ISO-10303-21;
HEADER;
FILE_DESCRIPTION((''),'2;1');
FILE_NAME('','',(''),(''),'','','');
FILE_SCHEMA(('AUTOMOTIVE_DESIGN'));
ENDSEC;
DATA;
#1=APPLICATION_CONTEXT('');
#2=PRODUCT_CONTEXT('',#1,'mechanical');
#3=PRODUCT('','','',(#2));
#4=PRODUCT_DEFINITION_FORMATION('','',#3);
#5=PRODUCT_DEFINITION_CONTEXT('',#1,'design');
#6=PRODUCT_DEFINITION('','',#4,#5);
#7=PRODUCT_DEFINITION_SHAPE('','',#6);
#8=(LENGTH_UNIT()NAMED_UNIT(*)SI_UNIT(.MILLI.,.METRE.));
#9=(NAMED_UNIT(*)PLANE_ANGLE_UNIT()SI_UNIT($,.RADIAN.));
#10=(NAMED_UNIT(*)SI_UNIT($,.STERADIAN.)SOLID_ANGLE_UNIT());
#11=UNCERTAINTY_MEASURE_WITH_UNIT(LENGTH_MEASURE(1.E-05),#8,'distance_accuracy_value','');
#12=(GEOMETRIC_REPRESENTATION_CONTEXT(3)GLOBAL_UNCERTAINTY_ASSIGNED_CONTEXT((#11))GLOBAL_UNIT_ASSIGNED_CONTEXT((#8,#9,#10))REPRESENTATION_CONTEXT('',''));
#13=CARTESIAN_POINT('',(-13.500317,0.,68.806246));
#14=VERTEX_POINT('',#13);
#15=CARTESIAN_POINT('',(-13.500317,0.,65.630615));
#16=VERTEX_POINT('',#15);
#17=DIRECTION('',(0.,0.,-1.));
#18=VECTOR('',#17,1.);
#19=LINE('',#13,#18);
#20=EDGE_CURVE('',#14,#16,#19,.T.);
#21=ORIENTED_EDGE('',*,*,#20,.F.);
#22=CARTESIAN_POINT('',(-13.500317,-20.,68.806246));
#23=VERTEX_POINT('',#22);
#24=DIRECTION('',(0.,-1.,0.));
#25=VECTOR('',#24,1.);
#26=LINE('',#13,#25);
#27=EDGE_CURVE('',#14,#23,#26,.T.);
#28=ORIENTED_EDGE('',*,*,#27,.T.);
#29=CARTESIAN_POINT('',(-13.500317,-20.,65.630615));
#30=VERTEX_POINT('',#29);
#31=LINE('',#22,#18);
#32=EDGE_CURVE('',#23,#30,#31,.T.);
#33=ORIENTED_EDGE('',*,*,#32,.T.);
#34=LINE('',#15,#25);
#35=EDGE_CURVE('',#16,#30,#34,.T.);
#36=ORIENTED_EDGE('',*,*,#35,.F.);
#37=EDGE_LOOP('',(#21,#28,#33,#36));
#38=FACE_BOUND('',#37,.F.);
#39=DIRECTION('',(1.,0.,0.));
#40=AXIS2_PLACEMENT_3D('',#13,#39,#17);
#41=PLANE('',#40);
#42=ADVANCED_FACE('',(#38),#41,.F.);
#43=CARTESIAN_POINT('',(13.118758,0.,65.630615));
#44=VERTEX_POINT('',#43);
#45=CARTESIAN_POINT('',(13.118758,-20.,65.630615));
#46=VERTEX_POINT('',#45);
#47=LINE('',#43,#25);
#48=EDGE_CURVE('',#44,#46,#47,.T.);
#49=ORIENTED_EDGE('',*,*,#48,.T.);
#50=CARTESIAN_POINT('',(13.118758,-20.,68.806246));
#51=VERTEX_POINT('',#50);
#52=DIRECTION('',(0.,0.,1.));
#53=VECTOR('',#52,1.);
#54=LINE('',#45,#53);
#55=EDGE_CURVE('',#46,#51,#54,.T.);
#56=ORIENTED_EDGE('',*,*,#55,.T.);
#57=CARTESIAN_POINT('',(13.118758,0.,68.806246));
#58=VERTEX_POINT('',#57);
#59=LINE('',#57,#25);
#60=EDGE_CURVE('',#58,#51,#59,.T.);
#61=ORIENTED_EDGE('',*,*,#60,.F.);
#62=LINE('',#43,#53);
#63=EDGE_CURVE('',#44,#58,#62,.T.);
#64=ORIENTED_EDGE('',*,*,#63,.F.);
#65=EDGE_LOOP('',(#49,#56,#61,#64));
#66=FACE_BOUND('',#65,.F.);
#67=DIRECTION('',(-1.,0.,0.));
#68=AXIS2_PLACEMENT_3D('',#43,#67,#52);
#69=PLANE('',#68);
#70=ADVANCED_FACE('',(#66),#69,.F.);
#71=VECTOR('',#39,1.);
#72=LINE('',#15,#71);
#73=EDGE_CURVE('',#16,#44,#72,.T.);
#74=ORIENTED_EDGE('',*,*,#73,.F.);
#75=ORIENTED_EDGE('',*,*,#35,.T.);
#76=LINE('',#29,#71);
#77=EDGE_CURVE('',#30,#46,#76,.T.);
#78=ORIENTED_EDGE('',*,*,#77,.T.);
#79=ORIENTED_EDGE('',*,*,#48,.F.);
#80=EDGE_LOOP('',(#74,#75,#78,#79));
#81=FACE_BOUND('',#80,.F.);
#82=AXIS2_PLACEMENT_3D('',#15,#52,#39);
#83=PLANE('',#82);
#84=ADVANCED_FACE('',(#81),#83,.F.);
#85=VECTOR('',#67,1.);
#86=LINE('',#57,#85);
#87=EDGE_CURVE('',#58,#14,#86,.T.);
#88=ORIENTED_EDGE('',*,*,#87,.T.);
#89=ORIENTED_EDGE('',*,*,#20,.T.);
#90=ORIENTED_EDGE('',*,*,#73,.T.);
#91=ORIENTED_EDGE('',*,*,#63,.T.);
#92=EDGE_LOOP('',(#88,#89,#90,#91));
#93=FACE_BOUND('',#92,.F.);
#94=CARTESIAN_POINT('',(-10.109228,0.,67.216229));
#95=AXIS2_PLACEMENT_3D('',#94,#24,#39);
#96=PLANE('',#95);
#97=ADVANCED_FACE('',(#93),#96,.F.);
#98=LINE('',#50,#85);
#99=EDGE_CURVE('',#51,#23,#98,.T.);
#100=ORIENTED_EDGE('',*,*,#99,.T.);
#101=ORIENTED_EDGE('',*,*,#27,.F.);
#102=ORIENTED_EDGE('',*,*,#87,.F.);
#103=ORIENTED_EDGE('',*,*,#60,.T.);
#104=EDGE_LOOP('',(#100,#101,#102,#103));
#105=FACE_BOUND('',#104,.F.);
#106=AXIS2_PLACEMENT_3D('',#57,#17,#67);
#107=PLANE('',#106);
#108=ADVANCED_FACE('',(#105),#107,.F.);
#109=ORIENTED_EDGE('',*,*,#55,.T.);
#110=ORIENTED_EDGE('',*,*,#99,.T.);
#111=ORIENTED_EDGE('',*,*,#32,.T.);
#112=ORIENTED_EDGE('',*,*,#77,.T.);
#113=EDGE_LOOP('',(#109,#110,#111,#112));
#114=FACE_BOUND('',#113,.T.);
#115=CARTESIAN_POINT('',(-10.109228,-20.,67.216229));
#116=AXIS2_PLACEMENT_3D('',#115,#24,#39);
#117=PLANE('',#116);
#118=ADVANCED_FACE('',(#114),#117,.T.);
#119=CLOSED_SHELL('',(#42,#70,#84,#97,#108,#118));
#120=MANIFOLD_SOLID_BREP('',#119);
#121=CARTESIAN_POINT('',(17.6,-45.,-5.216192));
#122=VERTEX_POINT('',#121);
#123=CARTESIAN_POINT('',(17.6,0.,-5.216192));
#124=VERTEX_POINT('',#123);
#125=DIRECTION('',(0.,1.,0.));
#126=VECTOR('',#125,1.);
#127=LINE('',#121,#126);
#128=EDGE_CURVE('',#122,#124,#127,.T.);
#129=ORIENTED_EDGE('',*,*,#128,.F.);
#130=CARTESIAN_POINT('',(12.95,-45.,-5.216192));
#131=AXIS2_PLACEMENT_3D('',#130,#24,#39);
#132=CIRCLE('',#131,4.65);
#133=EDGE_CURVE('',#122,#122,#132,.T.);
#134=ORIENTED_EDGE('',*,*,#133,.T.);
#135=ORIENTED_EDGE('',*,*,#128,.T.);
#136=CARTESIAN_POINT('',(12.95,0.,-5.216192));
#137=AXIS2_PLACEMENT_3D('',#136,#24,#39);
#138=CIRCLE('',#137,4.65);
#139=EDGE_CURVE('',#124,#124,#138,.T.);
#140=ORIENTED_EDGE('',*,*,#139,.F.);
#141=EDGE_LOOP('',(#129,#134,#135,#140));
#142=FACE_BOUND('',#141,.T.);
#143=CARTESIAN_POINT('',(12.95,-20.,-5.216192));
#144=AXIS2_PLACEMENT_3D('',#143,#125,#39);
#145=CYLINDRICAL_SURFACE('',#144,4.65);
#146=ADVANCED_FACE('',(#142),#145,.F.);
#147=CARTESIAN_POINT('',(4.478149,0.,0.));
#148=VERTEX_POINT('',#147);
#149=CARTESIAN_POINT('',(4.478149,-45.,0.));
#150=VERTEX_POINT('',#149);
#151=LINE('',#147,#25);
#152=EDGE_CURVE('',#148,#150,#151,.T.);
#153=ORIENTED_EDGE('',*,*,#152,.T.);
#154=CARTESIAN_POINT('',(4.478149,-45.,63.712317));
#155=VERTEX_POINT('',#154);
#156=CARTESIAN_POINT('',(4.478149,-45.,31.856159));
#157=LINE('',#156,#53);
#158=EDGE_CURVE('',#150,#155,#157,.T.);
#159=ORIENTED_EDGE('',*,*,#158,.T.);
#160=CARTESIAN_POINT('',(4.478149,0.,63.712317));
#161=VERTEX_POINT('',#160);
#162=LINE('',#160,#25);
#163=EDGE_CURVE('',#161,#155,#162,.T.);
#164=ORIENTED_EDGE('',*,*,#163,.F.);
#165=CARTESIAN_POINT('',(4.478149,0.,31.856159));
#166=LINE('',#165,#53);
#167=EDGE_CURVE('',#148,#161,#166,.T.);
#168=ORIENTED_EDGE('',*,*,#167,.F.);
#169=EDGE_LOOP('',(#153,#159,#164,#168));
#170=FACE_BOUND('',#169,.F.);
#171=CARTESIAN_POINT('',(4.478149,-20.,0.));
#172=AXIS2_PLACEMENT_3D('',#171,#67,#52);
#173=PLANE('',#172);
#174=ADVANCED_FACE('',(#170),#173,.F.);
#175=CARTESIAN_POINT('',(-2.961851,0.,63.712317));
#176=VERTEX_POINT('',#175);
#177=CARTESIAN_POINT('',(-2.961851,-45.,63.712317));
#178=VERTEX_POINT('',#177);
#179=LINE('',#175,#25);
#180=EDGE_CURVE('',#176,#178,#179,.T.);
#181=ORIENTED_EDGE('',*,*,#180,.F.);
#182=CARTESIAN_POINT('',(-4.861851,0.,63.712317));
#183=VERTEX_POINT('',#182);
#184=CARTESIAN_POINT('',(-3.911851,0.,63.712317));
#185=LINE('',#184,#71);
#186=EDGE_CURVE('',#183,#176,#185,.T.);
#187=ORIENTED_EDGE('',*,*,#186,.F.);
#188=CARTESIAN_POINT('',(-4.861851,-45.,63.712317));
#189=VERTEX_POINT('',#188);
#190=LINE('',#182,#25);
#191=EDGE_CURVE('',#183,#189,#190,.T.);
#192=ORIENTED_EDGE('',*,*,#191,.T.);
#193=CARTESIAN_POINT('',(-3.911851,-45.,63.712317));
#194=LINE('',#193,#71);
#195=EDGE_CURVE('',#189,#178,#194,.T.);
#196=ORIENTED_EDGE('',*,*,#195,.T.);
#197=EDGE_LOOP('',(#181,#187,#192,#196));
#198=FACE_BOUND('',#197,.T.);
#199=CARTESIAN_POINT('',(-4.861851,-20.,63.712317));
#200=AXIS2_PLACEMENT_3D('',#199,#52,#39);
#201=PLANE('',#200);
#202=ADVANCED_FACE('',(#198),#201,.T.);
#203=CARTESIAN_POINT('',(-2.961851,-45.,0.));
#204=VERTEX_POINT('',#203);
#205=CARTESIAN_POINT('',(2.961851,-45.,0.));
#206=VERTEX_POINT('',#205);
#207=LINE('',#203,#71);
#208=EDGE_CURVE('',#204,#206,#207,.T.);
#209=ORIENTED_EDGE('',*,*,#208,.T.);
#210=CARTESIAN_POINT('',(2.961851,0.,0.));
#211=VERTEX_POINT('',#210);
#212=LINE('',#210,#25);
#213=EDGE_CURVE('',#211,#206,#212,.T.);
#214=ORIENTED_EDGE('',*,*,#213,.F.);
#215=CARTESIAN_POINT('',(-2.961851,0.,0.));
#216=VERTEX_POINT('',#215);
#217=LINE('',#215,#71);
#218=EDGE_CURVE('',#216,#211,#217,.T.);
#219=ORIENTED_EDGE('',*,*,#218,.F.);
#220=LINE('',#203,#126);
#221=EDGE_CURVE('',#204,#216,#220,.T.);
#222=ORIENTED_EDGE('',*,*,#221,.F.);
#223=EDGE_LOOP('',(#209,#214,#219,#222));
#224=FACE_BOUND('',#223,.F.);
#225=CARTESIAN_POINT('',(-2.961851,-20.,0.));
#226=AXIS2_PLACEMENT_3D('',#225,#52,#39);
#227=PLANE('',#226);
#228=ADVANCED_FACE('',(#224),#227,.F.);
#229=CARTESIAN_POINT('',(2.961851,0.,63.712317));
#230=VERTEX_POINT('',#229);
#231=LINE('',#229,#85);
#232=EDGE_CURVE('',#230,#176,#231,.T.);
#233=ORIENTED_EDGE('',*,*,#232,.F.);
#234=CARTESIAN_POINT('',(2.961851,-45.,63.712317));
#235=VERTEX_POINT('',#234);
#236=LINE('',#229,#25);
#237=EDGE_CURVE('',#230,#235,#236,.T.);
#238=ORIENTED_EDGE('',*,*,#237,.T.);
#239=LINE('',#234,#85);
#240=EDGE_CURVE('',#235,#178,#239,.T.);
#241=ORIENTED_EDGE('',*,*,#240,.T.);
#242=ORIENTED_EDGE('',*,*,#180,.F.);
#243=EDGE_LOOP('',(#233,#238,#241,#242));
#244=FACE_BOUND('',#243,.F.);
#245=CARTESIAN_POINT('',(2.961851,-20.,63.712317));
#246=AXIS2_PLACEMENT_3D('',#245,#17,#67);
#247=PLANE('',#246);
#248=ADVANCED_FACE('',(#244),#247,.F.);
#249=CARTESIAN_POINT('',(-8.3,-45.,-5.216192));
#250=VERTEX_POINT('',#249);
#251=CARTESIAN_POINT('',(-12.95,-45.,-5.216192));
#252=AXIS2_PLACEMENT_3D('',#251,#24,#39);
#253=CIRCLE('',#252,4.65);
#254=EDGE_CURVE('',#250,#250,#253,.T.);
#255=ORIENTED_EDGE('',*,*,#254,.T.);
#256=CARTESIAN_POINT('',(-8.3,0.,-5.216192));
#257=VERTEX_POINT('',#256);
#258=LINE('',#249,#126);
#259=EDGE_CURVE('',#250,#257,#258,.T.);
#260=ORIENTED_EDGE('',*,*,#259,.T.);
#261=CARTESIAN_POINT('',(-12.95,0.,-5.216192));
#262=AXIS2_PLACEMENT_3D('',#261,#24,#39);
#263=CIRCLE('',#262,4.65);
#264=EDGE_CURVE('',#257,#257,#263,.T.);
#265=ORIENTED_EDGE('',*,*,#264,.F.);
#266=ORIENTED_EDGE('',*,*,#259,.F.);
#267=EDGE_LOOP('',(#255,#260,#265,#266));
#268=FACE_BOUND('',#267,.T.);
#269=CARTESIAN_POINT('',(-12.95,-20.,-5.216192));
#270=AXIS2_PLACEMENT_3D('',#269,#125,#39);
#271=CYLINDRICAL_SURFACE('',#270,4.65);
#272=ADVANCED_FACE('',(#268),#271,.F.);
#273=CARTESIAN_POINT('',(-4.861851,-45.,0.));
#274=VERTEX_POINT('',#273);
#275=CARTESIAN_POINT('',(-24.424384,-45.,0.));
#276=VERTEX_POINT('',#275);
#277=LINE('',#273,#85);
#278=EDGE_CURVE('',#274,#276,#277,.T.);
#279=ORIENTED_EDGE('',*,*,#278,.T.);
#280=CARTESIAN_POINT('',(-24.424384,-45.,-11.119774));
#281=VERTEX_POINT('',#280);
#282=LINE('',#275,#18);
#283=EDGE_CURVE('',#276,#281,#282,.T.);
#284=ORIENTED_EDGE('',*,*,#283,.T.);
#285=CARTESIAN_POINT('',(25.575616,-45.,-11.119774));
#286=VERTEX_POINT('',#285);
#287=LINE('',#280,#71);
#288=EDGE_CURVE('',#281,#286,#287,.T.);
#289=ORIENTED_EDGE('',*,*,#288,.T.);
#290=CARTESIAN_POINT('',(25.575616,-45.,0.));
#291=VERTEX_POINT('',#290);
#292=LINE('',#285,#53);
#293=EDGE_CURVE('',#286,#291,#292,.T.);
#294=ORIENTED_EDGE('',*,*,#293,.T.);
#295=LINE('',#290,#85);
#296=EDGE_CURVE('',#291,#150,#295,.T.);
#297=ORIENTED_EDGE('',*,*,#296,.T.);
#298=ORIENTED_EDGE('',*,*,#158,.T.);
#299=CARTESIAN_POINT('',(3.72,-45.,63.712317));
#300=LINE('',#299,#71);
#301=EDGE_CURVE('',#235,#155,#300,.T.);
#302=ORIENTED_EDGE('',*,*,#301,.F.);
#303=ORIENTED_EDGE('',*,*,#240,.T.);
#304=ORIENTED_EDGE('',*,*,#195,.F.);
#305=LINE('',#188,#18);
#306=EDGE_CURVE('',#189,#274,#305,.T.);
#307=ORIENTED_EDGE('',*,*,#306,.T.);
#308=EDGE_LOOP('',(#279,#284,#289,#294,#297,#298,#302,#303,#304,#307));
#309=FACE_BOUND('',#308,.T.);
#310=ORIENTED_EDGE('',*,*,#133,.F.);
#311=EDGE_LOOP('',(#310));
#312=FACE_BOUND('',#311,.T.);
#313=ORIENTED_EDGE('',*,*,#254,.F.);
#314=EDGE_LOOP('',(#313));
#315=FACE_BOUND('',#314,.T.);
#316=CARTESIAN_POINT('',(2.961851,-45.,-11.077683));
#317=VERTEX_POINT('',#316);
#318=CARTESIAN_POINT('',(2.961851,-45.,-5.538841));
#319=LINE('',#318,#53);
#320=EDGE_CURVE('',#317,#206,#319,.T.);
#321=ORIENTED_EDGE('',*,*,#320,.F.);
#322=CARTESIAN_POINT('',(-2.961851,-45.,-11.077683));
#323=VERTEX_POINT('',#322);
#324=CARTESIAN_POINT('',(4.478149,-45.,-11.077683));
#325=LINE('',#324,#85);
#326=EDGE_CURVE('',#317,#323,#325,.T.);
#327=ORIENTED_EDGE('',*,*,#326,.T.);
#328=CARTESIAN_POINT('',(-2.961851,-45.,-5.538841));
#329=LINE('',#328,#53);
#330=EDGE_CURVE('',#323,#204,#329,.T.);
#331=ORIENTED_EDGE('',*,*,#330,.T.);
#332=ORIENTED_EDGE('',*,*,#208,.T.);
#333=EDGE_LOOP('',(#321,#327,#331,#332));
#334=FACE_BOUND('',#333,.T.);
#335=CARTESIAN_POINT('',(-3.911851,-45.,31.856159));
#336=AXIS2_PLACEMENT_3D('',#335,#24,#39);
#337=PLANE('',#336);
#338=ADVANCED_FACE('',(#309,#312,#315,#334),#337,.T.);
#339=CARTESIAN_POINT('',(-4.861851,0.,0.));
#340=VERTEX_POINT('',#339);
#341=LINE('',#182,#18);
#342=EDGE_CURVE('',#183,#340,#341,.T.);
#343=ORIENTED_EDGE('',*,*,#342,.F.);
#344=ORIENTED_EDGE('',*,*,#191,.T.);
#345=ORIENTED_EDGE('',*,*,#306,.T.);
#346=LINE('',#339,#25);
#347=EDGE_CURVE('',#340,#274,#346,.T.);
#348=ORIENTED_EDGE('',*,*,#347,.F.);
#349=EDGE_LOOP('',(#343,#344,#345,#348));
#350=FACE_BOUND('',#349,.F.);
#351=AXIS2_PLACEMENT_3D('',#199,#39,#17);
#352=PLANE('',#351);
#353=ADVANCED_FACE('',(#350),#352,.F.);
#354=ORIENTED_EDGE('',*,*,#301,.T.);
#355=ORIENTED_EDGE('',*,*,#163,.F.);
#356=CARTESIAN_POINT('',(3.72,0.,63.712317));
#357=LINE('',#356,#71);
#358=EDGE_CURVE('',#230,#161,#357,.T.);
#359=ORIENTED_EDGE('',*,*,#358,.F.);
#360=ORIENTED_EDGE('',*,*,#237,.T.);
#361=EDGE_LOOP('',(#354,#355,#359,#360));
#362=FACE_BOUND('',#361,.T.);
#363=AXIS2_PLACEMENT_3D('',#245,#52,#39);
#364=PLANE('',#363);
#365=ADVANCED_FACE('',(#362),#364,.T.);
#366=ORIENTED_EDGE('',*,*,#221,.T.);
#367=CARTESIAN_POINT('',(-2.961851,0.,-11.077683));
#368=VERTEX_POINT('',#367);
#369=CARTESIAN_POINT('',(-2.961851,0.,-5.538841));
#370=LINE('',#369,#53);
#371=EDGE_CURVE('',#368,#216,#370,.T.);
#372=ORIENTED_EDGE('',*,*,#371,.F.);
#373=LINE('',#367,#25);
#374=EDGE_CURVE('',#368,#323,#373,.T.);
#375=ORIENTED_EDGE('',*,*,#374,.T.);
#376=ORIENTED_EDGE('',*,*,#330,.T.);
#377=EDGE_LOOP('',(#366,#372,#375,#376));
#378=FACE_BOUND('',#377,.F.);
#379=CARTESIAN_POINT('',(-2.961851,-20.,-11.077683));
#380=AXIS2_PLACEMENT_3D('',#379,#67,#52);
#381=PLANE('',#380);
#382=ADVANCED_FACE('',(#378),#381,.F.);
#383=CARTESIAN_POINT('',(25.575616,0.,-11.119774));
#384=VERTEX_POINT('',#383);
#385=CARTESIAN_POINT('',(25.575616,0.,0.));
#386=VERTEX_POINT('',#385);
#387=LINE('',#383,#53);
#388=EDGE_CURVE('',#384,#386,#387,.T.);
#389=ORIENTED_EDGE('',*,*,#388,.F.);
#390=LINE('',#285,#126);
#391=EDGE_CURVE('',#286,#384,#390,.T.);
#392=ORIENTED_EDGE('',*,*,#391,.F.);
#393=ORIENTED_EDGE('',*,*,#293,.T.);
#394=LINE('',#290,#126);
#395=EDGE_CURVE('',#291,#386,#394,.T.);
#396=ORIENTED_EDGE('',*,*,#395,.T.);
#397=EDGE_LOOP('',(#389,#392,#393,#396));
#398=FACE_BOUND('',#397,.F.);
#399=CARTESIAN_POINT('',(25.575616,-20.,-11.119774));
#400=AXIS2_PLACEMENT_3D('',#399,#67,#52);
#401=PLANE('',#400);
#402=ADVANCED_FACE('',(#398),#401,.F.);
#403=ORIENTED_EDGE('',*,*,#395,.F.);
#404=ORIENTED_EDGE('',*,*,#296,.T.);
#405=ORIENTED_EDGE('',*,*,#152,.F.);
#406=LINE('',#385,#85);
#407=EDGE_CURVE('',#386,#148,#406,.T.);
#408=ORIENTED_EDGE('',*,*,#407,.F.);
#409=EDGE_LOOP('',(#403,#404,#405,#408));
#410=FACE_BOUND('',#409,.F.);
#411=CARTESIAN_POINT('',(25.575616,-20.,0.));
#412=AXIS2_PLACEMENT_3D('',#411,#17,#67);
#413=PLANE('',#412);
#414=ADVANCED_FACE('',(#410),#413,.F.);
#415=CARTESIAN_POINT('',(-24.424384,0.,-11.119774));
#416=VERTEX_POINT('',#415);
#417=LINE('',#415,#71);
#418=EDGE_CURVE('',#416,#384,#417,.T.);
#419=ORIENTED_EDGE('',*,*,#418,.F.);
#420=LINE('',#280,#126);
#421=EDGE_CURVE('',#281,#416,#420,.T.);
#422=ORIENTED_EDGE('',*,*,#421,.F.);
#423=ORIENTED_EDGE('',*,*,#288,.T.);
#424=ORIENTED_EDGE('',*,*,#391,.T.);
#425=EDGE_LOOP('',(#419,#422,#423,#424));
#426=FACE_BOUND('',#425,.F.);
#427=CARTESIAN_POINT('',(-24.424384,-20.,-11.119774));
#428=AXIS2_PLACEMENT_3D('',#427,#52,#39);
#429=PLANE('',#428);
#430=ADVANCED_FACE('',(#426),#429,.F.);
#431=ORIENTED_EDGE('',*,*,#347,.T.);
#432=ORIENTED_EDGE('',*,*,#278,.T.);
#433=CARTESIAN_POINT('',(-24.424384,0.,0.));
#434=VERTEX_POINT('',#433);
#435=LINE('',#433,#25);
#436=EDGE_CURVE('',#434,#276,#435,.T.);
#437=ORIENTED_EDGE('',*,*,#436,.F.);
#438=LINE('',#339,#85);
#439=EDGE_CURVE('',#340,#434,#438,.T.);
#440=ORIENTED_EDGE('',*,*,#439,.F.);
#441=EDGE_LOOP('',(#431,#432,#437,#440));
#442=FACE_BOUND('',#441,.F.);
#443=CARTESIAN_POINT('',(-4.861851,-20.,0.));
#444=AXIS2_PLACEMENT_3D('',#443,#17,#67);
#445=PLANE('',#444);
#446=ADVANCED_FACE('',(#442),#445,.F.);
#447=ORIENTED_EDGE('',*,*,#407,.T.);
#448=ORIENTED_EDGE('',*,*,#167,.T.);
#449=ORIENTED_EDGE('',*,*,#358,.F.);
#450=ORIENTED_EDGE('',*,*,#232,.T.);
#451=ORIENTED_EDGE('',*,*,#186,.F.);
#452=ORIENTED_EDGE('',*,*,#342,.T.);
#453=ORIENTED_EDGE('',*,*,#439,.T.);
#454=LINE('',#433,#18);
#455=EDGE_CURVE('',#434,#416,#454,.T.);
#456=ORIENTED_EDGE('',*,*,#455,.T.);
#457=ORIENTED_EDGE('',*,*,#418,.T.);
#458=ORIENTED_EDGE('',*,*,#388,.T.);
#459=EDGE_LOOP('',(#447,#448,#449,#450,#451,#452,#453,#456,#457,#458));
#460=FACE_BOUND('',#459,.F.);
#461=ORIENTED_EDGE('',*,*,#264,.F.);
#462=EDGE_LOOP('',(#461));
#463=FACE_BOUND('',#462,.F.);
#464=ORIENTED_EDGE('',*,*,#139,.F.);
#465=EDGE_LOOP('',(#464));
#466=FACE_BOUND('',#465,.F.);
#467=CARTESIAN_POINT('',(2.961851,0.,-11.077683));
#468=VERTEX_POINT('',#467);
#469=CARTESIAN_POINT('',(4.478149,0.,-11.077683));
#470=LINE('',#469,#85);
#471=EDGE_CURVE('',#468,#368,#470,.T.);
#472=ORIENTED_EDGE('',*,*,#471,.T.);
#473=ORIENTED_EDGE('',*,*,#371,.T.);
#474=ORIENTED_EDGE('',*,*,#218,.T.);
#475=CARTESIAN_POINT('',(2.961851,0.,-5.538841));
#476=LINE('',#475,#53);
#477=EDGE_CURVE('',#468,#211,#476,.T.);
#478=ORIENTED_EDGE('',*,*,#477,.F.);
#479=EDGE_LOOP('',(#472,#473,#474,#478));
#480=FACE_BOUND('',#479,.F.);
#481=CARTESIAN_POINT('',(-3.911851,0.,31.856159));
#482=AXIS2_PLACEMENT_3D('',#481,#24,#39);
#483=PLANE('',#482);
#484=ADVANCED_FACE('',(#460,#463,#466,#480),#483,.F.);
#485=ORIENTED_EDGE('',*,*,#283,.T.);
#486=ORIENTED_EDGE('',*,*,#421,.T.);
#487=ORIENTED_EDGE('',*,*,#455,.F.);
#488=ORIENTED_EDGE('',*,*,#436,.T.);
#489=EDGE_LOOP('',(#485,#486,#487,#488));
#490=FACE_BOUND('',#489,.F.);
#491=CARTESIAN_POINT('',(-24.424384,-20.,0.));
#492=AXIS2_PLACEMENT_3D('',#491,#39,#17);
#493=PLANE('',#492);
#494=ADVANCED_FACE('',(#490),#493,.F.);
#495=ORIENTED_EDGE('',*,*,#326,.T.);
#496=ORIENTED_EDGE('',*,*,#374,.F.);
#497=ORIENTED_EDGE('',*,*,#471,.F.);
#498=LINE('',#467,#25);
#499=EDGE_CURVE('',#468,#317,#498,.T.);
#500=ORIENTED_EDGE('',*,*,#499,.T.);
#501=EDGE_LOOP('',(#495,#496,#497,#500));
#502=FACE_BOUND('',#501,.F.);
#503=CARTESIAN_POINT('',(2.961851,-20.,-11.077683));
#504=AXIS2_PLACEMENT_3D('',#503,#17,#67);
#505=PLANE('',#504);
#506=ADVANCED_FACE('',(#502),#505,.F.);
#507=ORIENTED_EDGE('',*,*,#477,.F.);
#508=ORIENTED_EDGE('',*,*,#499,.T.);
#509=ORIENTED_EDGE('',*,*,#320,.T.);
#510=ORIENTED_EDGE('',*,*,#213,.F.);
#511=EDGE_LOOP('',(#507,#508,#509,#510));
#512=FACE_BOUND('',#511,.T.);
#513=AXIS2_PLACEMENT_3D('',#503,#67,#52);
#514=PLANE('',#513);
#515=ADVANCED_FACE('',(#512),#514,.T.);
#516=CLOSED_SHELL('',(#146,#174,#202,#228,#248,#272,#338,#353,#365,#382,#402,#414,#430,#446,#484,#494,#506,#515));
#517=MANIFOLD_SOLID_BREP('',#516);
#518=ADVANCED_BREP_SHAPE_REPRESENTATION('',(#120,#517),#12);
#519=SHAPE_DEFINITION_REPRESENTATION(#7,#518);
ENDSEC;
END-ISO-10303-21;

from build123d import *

# Parameters (mm, degrees)
F0_W     = 1.9
F0_H     = 63.7123174495
F0_H_2   = 11.0776825505
F0_R     = 4.65
F0_W_2   = 3.1124644447
F0_H_3   = 4.9596726424
F0_W_3   = 1.5162971947
F1_DEPTH = 20
F2_DEPTH = 25


with BuildPart() as f1:
    # F0 (on Front) → F1 (new body)
    with BuildSketch(Plane.XZ):
        with Locations((-3.9118514026, 31.8561587247)):
            Rectangle(F0_W, F0_H)
        Polygon((-1.5797154047, 63.7123174495), (-2.9618514026, 63.7123174495), (-2.9618514026, 0), (2.9618514026, 0), (2.9618514026, 63.7123174495), (2.3623339366, 63.7123174495), (1.5327490401, 63.7123174495), (1.5327490401, 58.7526448071), (-1.5797154047, 58.7526448071), align=None)
        with Locations((-3.9118514026, -5.5388412753)):
            Rectangle(F0_W, F0_H_2)
        Polygon((-4.8618514026, -11.0776825505), (-4.8618514026, 0), (-24.4243843481, 0), (-24.4243843481, -11.1197736114), (25.5756156519, -11.1197736114), (25.5756156519, 0), (4.4781485974, 0), (4.4781485974, -11.0776825505), (2.9618514026, -11.0776825505), (-2.9618514026, -11.0776825505), align=None)
        with Locations((-12.95, -5.2161915228)):
            Circle(F0_R, mode=Mode.SUBTRACT)
        with Locations((12.95, -5.2161915228)):
            Circle(F0_R, mode=Mode.SUBTRACT)
        with Locations((-0.0234831823, 61.2324811283)):
            Rectangle(F0_W_2, F0_H_3)
        with Locations((3.72, 31.8561587247)):
            Rectangle(F0_W_3, F0_H)
        with Locations((3.72, -5.5388412753)):
            Rectangle(F0_W_3, F0_H_2)
    extrude(amount=F1_DEPTH)

    # F2 (add): a face of the model
    f2_faces = [f1.faces().sort_by_distance(p)[0] for p in [
        (0.2168007051, -20, 17.8369236317),
    ]]
    extrude(f2_faces, amount=F2_DEPTH)


with BuildPart() as f1b:
    # F0 (on Front) → F1, piece 2 (new body)
    with BuildSketch(Plane.XZ):
        Polygon((-13.5003169999, 65.6306147575), (-6.70787015, 65.6306147575), (-6.727591731, 65.6511085125), (-6.727591731, 68.806245923), (-13.5003169999, 68.806245923), align=None)
        Polygon((-6.727591731, 65.6511085125), (-6.70787015, 65.6306147575), (6.70787015, 65.6306147575), (6.727591731, 65.6511085125), (6.727591731, 68.806245923), (-6.727591731, 68.806245923), align=None)
        Polygon((6.727591731, 65.6511085125), (6.70787015, 65.6306147575), (13.1187578663, 65.6306147575), (13.1187578663, 68.806245923), (6.727591731, 68.806245923), align=None)
    extrude(amount=F1_DEPTH)


solid = Compound([f1.part, f1b.part])
